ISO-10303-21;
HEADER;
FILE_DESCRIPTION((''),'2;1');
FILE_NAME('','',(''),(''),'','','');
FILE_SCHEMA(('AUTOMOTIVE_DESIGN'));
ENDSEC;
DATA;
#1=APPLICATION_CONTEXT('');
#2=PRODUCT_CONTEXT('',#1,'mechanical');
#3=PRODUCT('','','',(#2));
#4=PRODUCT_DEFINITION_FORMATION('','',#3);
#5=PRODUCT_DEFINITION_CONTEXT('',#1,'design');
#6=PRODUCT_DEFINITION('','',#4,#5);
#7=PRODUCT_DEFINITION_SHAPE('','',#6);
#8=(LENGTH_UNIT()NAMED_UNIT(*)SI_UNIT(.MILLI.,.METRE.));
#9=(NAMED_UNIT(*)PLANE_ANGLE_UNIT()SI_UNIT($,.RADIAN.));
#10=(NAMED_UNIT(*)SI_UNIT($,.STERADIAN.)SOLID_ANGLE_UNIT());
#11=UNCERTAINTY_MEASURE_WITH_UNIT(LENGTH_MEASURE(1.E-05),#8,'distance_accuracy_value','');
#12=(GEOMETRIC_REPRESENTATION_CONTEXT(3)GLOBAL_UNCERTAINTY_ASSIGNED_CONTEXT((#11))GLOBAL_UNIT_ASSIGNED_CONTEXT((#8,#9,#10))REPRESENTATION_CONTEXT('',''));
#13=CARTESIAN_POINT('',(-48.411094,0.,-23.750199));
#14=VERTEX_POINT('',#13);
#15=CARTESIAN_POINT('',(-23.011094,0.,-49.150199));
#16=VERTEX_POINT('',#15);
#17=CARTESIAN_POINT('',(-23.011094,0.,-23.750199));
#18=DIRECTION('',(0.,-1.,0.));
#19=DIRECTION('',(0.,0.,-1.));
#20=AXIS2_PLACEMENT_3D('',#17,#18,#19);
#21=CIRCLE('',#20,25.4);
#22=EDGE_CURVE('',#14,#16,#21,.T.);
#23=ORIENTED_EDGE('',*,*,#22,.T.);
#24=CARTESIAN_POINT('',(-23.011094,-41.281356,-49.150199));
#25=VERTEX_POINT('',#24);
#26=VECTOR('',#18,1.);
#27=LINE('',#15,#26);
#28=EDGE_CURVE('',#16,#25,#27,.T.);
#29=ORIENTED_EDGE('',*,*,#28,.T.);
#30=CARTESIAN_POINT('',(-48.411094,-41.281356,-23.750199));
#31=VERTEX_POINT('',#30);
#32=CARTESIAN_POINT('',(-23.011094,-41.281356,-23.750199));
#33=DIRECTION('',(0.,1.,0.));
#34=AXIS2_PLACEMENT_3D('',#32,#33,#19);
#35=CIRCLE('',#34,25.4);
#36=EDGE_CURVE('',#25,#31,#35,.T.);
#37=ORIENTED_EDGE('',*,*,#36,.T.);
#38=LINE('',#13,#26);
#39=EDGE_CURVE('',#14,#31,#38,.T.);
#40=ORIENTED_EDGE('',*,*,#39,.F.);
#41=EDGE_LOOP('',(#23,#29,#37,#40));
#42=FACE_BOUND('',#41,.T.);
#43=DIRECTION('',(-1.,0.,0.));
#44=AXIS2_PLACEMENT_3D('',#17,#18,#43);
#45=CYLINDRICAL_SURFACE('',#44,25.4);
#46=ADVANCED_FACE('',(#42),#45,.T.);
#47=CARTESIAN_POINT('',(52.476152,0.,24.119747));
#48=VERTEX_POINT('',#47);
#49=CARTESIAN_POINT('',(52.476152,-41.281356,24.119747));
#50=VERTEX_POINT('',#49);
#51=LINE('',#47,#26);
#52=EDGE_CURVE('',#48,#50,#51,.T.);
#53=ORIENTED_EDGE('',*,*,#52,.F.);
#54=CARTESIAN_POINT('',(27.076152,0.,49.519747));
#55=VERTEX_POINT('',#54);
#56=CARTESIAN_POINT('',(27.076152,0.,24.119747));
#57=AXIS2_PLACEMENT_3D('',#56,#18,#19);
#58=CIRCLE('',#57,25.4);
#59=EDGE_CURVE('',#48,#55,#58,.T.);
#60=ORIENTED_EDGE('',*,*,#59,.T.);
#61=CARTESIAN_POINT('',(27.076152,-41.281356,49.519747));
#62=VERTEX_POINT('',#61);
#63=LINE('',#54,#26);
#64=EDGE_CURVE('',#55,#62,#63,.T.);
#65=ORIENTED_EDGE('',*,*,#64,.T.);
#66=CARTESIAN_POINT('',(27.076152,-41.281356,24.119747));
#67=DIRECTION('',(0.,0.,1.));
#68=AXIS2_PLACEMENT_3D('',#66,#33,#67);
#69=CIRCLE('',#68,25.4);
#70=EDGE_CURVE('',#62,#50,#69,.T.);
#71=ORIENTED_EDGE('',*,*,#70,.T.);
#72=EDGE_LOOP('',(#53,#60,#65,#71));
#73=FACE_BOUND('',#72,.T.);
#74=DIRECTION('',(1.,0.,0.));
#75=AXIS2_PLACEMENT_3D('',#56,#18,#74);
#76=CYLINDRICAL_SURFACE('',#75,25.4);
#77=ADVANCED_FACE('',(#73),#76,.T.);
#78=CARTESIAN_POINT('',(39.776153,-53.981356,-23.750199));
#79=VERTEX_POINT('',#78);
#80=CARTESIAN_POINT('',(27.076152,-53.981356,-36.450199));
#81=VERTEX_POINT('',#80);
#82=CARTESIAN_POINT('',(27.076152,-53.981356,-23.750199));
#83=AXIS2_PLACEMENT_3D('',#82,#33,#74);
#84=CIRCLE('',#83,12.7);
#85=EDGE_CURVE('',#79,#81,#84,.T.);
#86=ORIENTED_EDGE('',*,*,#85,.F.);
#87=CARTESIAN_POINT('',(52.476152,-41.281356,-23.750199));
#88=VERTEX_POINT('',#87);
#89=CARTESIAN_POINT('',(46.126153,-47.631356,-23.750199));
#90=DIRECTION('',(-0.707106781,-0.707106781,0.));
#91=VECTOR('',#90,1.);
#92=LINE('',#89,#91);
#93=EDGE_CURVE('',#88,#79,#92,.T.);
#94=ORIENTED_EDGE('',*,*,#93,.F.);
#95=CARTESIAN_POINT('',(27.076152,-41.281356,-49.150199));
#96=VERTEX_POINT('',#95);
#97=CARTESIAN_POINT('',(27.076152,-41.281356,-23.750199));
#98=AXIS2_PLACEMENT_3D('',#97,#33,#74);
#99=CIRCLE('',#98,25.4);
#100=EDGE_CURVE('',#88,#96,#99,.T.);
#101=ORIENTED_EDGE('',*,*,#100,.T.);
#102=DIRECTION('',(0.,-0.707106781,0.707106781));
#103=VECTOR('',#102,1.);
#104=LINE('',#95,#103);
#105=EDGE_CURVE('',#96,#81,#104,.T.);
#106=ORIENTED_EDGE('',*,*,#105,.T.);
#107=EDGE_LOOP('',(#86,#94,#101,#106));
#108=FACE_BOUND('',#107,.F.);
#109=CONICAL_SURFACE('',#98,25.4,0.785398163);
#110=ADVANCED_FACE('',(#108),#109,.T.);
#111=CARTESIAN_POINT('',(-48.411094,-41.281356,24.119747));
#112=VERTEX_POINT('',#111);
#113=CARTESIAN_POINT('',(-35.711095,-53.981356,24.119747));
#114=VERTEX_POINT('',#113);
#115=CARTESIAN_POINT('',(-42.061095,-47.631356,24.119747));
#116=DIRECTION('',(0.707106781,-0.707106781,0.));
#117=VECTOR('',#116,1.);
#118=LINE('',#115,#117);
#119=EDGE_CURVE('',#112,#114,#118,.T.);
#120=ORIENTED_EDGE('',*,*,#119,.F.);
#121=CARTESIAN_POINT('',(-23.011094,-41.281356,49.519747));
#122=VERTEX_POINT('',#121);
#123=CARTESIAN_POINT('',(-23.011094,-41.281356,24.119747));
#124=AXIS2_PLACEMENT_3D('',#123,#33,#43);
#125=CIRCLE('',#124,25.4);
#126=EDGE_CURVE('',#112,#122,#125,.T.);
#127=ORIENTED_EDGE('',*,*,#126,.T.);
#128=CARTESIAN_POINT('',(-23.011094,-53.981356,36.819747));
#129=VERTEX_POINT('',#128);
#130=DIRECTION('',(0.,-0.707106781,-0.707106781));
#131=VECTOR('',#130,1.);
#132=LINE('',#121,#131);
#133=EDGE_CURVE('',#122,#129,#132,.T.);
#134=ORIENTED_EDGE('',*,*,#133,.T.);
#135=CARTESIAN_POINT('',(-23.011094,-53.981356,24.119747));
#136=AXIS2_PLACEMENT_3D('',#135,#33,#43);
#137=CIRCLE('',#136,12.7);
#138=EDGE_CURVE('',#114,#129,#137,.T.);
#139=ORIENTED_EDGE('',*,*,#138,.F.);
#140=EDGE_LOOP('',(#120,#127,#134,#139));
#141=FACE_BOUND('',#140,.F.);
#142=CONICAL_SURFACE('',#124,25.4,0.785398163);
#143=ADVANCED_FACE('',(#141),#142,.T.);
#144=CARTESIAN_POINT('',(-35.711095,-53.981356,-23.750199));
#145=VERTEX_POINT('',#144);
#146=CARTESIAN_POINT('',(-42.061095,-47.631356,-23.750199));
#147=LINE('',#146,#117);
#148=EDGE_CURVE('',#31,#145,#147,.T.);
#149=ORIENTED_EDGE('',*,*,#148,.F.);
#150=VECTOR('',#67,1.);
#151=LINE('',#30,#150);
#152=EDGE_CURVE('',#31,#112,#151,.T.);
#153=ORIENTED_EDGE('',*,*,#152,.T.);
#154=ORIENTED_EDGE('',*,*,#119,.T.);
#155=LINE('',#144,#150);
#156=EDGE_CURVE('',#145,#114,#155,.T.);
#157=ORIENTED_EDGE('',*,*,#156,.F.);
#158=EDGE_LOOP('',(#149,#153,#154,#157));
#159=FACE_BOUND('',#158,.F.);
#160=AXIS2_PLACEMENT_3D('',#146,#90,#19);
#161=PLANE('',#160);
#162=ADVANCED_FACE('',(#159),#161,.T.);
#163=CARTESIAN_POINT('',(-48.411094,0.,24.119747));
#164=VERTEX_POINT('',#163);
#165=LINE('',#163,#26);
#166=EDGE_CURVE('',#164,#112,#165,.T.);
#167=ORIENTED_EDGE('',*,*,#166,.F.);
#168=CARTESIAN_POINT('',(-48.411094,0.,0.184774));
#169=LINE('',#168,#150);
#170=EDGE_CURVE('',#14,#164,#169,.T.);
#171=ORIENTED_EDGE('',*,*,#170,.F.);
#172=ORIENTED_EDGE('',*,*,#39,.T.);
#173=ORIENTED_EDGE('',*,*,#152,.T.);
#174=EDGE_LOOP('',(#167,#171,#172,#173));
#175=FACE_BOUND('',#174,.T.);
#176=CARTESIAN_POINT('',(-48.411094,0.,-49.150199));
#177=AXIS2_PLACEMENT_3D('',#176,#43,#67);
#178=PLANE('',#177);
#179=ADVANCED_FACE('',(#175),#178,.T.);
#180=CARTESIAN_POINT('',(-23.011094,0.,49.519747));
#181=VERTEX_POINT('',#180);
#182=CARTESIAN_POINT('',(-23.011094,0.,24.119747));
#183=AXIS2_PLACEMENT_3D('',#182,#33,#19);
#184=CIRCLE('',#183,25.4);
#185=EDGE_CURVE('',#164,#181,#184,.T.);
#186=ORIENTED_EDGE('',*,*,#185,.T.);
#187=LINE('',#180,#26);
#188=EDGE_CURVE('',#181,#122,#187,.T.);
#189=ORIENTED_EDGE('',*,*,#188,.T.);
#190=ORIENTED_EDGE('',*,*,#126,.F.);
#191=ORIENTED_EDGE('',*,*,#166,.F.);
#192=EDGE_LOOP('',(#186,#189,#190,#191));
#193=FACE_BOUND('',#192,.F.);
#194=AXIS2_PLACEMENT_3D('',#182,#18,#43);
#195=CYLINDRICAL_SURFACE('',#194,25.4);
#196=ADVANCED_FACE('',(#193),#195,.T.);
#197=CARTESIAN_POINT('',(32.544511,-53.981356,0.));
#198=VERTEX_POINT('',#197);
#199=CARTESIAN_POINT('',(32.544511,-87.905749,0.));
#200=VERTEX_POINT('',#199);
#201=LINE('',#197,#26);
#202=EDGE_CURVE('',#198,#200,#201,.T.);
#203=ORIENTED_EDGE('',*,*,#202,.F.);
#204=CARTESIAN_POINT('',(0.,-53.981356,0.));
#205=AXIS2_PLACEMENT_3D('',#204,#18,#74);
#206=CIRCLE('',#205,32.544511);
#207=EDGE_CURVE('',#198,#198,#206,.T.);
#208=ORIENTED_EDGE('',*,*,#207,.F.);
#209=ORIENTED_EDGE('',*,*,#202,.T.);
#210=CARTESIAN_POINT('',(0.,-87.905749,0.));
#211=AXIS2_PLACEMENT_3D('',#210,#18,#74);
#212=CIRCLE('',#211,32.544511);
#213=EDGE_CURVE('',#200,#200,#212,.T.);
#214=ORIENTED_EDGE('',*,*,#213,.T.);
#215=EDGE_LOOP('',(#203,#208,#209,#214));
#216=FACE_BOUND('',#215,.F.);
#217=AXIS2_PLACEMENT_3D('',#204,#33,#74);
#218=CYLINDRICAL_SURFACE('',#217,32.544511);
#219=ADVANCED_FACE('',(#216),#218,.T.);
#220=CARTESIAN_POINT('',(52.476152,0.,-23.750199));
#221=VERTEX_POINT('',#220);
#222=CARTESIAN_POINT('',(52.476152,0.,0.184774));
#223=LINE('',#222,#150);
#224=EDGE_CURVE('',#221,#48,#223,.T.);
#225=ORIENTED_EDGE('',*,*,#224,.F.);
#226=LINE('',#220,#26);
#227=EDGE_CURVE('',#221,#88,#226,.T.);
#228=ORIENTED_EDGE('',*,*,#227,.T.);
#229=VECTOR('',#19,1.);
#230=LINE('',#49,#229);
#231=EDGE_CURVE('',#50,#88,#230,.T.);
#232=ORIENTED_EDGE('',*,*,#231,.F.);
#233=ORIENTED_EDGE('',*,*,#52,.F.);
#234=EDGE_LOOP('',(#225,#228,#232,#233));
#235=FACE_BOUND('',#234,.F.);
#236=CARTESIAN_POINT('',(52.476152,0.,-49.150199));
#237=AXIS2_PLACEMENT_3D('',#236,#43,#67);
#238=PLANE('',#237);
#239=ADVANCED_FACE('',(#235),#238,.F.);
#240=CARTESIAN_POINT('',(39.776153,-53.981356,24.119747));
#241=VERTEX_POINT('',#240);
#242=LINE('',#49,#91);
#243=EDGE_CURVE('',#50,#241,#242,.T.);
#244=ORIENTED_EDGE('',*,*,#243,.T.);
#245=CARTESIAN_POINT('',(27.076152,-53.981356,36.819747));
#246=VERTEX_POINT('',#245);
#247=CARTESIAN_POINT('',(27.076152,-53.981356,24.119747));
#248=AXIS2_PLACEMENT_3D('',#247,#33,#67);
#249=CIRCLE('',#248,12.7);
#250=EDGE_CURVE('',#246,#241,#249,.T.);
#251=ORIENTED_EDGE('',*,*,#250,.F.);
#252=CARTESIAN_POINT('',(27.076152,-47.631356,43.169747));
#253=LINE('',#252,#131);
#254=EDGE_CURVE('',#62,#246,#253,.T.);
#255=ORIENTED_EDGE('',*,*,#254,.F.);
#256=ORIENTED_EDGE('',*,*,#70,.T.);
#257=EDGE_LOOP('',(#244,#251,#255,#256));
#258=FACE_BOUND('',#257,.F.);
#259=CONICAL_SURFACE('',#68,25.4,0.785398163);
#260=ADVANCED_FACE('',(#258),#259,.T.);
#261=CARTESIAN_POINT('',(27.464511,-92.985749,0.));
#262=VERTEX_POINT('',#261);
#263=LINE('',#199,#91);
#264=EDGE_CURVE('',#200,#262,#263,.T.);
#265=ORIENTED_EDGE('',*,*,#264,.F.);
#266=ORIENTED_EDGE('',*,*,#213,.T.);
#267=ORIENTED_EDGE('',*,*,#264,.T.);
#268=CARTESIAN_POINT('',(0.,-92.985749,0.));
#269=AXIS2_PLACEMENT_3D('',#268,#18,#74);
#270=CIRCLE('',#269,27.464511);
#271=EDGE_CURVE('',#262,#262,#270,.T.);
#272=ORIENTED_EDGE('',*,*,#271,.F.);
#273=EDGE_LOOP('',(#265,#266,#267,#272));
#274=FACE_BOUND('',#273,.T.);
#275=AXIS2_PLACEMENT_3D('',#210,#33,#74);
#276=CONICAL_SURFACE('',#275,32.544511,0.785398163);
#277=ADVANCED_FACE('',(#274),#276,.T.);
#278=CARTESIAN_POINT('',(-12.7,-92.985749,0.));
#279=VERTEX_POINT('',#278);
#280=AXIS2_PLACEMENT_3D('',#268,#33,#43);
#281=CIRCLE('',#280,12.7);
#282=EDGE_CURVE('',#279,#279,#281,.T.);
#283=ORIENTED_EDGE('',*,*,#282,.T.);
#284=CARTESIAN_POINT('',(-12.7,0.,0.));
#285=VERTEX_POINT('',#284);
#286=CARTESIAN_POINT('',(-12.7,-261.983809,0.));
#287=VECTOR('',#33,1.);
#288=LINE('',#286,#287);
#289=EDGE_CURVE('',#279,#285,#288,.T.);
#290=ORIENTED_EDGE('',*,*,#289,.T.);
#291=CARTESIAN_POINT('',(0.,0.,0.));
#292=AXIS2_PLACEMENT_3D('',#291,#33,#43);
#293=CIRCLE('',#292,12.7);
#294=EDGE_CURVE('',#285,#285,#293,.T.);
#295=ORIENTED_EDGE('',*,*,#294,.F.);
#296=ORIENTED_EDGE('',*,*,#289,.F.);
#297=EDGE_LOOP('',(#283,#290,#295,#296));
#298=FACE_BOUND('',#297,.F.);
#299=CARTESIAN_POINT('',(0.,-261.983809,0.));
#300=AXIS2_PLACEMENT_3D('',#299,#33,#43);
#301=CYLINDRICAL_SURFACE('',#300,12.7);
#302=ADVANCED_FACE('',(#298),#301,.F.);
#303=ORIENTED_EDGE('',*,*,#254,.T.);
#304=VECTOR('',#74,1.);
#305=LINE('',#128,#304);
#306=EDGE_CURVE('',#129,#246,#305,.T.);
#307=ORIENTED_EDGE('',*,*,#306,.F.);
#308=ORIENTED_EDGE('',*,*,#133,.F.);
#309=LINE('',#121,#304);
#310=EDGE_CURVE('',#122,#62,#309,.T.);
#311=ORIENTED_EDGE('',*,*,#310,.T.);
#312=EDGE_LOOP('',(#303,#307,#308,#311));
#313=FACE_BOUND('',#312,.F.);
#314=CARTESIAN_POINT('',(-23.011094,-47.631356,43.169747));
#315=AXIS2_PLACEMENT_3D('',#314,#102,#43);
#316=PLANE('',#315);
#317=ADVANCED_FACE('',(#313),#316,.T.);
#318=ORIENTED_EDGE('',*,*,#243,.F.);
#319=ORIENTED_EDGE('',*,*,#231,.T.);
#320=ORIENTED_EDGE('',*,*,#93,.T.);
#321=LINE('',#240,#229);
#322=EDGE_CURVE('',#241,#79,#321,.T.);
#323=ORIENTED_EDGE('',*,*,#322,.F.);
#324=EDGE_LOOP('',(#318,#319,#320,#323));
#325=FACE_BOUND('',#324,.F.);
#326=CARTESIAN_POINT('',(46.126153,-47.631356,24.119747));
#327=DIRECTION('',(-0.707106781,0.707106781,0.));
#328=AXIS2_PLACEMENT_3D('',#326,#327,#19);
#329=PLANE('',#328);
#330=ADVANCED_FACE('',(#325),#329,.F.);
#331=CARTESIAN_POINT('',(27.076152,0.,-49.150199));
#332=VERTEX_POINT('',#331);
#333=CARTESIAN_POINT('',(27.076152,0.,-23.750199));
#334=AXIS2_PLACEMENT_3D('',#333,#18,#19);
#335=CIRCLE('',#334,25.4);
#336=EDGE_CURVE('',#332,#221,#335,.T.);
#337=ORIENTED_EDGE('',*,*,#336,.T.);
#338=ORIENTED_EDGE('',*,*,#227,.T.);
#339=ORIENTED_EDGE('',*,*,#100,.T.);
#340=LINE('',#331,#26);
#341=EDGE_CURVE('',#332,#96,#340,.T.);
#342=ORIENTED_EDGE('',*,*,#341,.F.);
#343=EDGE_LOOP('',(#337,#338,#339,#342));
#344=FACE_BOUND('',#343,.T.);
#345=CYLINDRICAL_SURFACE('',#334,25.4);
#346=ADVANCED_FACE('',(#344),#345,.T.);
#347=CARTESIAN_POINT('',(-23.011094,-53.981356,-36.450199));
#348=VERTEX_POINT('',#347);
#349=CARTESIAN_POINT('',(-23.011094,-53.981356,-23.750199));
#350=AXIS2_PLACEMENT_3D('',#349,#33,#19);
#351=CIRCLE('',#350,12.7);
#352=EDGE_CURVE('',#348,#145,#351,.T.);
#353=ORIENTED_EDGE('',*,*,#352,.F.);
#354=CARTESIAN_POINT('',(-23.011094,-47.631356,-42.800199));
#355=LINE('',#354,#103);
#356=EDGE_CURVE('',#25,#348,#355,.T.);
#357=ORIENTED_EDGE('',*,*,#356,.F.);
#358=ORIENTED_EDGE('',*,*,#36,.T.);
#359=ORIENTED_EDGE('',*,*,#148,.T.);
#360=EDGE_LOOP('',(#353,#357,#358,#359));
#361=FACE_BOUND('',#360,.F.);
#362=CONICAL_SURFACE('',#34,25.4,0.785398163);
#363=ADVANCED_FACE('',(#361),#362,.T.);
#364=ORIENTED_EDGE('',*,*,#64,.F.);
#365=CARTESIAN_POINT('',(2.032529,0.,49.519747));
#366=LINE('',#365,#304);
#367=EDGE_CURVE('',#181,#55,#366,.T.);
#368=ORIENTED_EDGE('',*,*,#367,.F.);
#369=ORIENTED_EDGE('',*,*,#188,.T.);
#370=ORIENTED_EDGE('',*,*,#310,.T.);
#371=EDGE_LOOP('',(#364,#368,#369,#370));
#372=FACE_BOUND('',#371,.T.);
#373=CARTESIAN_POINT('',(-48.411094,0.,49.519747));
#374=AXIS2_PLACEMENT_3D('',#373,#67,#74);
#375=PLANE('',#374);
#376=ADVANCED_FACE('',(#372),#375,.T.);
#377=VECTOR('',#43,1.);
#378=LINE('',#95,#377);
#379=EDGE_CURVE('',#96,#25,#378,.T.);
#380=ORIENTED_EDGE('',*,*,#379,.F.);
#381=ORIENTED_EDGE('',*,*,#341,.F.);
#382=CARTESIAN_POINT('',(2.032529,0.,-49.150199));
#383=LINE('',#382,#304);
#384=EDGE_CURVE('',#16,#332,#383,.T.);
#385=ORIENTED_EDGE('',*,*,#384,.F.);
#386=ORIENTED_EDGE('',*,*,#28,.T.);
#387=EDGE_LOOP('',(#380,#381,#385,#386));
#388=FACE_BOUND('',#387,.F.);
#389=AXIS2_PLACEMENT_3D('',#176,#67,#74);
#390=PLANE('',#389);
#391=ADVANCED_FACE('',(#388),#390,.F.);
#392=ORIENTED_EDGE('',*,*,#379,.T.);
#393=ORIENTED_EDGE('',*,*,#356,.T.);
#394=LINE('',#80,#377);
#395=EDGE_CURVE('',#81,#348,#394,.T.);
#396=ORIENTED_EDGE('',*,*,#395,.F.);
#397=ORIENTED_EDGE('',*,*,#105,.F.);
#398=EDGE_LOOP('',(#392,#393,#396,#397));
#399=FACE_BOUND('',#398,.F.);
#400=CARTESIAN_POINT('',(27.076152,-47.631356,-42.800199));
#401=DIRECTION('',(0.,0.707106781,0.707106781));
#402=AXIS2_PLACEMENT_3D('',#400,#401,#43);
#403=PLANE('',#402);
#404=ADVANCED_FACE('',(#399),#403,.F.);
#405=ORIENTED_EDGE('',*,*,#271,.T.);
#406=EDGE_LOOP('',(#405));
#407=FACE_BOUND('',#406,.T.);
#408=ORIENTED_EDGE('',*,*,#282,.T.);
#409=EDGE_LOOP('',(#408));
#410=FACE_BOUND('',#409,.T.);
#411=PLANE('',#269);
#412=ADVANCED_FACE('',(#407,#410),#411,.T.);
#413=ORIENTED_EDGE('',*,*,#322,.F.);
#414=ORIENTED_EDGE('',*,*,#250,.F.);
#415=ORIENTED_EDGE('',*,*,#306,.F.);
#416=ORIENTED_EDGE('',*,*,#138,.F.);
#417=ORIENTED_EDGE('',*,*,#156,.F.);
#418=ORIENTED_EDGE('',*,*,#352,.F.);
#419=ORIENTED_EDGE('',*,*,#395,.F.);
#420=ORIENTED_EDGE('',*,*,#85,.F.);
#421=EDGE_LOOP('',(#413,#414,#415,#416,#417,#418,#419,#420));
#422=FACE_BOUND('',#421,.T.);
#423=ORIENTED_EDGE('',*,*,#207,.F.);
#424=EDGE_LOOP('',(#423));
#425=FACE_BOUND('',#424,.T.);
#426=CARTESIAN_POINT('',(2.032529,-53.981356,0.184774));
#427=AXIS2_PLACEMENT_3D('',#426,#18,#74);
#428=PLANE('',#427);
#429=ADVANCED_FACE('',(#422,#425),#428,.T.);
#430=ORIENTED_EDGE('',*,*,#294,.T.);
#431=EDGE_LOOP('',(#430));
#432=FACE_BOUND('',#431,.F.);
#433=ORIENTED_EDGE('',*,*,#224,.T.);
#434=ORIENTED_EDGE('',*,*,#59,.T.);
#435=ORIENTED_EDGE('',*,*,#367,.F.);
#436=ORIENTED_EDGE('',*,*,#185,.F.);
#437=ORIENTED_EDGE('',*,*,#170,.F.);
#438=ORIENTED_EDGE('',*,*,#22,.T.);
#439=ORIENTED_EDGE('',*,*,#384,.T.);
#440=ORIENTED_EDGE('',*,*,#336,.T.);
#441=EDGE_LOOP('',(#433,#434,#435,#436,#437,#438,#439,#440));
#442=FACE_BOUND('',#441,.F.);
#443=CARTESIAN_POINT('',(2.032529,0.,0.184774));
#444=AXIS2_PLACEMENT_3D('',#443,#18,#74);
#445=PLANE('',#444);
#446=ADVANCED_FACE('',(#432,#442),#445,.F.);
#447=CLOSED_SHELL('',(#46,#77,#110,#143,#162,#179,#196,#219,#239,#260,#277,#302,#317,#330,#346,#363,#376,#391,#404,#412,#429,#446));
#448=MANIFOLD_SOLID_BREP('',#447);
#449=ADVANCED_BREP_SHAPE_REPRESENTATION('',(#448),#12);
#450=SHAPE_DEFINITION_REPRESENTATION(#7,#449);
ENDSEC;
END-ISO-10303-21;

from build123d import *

# Parameters (mm, degrees)
F0_W     = 100.887247
F0_H     = 98.669946
F1_DEPTH = 53.981356
F2_R     = 25.4
F3_R     = 32.544511
F4_DEPTH = 39.004393
F6_D     = 25.4
F7_SIZE  = 12.7
F8_SIZE  = 5.08


with BuildPart() as f1:
    # F0 (on Front) → F1 (new body)
    with BuildSketch(Plane.XZ):
        with Locations((2.032529, 0.184774)):
            Rectangle(F0_W, F0_H)
    extrude(amount=F1_DEPTH)

    # F2
    f2_edges = [f1.edges().sort_by_distance(p)[0] for p in [
        (52.476153, -26.990678, 49.519747),
        (52.476153, -26.990678, -49.150199),
        (-48.411094, -26.990678, -49.150199),
        (-48.411094, -26.990678, 49.519747),
    ]]
    fillet(f2_edges, radius=F2_R)

    # F3 (on face) → F4 (join)
    with BuildSketch(Plane.XZ.offset(53.981356)):
        Circle(F3_R)
    extrude(amount=F4_DEPTH)

    # F6 (through all)
    with Locations(Plane.XZ.offset(92.985749)):
        with Locations((0, 0)):
            Hole(F6_D / 2)

    # F7
    f7_edges = [f1.edges().sort_by_distance(p)[0] for p in [
        (-48.411094, -53.981356, 0.184774),
    ]]
    chamfer(f7_edges, length=F7_SIZE)

    # F8
    f8_edges = [f1.edges().sort_by_distance(p)[0] for p in [
        (-32.544511, -92.985749, 0),
    ]]
    chamfer(f8_edges, length=F8_SIZE)


solid = f1.part
